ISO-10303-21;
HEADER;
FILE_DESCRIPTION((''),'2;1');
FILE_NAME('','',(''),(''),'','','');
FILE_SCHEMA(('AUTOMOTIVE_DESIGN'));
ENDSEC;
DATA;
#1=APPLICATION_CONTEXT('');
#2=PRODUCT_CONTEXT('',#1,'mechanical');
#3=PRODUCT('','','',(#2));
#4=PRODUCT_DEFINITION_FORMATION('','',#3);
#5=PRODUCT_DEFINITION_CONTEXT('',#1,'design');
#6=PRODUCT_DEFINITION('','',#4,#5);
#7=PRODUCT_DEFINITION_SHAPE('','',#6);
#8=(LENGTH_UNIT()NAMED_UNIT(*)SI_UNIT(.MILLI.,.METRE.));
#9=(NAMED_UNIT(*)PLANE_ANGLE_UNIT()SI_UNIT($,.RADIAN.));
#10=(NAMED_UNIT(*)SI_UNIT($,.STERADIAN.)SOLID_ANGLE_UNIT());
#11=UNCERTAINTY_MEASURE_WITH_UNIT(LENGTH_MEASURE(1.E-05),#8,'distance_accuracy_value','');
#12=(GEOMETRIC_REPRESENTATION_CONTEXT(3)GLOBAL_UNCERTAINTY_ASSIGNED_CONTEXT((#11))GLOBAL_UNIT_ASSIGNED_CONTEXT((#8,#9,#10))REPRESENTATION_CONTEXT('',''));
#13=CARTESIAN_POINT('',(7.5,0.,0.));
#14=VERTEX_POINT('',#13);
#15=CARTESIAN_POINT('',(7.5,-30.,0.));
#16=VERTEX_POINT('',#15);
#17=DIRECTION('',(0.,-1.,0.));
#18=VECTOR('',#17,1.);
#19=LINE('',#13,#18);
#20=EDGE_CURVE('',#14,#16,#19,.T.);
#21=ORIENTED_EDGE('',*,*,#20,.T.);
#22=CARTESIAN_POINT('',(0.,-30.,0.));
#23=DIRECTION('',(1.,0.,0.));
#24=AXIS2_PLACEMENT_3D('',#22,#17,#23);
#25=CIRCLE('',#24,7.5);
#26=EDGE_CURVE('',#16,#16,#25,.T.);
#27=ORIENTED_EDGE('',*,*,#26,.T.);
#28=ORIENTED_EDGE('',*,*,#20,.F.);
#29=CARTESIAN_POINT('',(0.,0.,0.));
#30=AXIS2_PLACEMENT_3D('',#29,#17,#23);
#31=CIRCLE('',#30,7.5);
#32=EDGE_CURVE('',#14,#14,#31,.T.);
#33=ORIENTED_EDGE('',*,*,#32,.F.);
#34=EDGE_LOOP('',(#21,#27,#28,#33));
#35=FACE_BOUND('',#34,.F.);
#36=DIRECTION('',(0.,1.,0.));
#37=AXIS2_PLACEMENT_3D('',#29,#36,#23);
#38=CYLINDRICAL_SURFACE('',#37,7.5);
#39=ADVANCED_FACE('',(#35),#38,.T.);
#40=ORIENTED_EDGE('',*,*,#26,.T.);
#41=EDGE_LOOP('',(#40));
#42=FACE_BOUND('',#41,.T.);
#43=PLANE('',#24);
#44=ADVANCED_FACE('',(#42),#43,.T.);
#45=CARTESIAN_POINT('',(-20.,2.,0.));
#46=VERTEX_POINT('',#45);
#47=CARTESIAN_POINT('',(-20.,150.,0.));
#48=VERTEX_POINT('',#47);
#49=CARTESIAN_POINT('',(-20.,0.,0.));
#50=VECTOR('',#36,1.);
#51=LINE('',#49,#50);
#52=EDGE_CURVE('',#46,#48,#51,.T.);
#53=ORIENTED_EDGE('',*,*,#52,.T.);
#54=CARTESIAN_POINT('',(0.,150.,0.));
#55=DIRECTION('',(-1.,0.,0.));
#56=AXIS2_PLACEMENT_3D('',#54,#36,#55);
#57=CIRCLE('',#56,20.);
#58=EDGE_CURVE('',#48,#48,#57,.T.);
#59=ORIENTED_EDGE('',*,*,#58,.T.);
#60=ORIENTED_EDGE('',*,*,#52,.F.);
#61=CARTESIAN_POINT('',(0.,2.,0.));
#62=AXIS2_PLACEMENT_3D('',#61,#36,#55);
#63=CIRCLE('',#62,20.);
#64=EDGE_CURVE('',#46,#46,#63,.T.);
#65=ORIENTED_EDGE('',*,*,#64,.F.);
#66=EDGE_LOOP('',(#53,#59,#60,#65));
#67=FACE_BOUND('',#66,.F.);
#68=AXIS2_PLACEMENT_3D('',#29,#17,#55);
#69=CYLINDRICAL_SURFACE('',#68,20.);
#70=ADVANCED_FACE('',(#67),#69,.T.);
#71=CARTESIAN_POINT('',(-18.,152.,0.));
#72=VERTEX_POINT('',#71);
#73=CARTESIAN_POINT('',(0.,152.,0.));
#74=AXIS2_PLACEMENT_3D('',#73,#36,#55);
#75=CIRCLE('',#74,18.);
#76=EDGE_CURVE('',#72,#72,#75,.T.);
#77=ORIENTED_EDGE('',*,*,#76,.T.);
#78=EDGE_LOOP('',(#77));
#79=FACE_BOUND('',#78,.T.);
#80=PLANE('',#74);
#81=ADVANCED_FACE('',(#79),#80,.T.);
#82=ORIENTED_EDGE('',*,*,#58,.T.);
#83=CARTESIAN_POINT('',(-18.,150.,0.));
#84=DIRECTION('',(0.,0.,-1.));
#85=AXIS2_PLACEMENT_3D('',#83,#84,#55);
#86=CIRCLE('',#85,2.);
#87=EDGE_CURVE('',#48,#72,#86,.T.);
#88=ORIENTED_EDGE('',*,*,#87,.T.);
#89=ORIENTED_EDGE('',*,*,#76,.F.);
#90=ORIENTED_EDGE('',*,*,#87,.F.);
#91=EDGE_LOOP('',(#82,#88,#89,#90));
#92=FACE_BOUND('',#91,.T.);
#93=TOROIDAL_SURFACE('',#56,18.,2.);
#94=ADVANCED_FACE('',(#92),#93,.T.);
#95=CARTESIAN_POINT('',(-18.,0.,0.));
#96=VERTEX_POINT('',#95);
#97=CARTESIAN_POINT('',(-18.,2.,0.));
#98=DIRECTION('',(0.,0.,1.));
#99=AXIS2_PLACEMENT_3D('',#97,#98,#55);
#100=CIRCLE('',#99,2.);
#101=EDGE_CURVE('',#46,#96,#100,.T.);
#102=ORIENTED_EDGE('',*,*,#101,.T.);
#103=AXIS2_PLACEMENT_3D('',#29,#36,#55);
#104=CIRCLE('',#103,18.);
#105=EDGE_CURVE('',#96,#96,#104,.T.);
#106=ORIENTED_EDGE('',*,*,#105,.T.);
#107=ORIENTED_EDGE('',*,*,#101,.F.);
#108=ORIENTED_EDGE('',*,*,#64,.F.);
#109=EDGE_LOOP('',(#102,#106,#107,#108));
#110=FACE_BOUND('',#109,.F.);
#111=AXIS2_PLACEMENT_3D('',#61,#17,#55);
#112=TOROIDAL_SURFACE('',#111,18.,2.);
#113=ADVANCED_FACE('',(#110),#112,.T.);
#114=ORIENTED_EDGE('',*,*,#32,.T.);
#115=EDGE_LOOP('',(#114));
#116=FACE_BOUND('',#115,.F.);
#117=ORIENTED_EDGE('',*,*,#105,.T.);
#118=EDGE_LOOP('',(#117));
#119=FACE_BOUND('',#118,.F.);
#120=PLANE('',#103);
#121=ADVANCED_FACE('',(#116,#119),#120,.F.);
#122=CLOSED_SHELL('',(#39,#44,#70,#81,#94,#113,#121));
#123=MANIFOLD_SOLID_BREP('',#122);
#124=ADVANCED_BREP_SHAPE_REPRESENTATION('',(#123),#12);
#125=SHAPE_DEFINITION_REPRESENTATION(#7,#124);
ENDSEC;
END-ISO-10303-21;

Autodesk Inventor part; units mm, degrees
ref_plane "YZ Plane" through (0, 0, 0) normal (1, 0, 0) x (0, 1, 0)
ref_plane "XZ Plane" through (0, 0, 0) normal (0, 1, 0) x (-1, 0, 0)
ref_plane "XY Plane" through (0, 0, 0) normal (0, 0, 1) x (1, 0, 0)
sketch "Sketch1" plane through (0, 0, 0) normal (0, 1, 0) x (-1, 0, 0)
  circle A0 centre (0, 0) radius 20
  dimension "d0" = 40
extrude "Extrusion1" add sketch "Sketch1" along normal blind 152
fillet "Fillet1" radius 2 2 edges at (20, 152, 0) (20, 0, 0)
sketch "Sketch2" plane through (0, 0, 0) normal (0, -1, 0) x (1, 0, 0)
  circle A0 centre (0, 0) radius 7.5
  dimension "d4" = 15
extrude "Extrusion2" add sketch "Sketch2" along normal blind 30
properties part number "40152S" material "Lead"
